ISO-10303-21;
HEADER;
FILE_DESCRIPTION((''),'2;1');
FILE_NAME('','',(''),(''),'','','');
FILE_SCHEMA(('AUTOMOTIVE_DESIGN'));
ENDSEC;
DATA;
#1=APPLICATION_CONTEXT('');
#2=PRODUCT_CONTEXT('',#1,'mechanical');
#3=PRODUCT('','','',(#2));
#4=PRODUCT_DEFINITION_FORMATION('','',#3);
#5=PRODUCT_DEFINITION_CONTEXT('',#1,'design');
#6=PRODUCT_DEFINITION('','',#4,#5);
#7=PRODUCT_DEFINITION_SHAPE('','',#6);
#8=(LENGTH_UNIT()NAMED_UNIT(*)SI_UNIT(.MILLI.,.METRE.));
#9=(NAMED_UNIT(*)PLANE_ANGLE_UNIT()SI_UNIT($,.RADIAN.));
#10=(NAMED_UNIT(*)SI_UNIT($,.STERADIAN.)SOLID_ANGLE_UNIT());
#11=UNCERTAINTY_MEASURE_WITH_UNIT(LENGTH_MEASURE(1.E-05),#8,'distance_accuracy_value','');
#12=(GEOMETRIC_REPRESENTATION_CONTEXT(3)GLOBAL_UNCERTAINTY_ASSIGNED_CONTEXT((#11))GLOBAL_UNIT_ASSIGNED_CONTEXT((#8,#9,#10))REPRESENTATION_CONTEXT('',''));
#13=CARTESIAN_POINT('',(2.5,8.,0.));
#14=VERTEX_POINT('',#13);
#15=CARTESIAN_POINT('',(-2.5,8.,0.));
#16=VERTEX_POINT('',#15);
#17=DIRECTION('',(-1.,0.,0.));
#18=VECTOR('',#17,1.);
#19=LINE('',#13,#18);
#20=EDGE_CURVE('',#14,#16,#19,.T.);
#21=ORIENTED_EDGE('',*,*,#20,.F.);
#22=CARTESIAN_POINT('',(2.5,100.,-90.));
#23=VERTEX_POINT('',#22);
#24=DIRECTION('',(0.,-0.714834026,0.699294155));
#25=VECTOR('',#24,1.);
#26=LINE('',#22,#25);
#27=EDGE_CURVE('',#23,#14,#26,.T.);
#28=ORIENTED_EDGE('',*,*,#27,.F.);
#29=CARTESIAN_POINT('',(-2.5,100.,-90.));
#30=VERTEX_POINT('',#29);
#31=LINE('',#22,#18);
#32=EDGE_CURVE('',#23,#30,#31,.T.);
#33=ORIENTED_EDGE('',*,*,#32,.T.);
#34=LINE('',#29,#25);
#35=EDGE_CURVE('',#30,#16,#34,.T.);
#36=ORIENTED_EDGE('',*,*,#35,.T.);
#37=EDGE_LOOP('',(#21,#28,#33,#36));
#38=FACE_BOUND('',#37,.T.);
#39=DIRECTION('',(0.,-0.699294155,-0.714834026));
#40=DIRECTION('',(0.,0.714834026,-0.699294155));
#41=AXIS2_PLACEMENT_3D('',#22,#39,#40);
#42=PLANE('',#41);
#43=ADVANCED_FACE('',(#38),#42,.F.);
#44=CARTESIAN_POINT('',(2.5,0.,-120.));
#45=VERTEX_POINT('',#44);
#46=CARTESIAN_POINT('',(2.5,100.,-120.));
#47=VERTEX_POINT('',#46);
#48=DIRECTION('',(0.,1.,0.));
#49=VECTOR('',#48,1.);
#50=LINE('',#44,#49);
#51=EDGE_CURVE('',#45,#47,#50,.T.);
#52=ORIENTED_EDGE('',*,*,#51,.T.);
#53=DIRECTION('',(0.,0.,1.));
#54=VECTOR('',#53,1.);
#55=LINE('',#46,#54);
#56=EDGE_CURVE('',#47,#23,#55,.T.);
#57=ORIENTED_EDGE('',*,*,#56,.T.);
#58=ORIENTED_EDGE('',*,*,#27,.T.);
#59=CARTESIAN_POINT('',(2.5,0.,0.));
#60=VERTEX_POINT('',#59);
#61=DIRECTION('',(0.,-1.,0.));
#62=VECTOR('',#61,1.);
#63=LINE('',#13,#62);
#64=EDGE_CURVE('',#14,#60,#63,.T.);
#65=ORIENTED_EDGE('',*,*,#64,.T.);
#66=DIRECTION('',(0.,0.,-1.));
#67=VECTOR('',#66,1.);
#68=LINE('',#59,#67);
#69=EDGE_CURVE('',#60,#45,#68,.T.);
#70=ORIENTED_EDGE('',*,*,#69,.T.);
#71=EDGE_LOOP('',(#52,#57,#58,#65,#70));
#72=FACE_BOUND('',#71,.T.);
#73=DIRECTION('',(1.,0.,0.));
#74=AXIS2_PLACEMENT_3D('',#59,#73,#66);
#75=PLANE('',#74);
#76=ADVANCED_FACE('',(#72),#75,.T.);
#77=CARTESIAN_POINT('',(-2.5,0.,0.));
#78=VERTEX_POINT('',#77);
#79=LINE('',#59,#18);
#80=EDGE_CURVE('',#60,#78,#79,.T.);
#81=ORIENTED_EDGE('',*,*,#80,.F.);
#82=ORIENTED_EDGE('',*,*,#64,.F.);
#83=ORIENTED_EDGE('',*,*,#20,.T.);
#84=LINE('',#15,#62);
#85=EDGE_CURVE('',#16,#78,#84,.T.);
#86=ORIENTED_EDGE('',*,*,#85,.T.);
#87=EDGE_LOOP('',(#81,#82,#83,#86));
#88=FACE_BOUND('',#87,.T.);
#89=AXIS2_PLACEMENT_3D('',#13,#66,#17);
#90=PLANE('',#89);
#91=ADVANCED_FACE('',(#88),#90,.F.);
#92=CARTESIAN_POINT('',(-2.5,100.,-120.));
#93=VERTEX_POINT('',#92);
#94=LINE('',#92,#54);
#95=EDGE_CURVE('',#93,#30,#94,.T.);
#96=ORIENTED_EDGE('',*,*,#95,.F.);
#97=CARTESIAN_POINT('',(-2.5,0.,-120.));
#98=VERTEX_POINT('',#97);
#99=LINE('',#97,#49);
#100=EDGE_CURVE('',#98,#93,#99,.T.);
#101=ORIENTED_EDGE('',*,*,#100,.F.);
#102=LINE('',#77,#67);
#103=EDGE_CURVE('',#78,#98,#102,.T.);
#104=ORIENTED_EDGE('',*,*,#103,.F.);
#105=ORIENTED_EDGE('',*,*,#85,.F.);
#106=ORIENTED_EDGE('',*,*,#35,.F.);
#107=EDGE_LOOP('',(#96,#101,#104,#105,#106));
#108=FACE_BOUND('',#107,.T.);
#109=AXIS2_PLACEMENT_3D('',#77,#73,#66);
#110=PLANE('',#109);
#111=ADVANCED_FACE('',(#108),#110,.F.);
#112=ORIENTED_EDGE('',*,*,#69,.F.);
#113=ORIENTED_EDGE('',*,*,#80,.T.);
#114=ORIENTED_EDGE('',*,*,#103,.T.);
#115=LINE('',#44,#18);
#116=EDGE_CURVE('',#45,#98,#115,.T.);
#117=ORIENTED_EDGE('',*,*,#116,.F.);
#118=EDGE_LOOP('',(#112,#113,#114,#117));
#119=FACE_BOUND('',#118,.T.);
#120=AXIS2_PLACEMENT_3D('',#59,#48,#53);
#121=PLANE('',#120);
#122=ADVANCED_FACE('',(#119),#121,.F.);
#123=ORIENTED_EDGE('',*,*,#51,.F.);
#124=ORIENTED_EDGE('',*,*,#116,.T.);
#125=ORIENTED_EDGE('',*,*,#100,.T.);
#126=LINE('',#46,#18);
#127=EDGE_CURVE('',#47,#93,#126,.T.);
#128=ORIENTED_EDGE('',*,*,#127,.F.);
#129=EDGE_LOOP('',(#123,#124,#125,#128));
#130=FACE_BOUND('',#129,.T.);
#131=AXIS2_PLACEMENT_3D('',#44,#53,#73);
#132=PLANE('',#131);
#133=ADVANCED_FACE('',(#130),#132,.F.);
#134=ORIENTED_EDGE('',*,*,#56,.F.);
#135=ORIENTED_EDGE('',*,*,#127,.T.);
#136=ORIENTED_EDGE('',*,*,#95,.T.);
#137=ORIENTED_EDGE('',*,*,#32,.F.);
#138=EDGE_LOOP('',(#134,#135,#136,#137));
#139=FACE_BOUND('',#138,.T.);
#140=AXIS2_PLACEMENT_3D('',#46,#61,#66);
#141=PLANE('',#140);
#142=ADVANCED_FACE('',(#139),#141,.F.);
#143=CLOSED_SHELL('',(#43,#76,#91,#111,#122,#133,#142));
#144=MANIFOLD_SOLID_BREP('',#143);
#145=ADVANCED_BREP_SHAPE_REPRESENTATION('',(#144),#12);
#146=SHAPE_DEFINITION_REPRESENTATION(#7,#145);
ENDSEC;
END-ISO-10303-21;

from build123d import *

# Parameters (mm, degrees)
BOSS_EXTRUDE1_DEPTH = 2.5


with BuildPart() as part:
    # Sketch1 → Boss-Extrude1 (new, symmetric)
    with BuildSketch(Plane(origin=(0, 0, 0), x_dir=(0, 0, -1), z_dir=(1, 0, 0))):
        Polygon((0, 0), (120, 0), (120, 100), (90, 100), (0, 8), align=None)
    extrude(amount=BOSS_EXTRUDE1_DEPTH, both=True)


solid = part.part
